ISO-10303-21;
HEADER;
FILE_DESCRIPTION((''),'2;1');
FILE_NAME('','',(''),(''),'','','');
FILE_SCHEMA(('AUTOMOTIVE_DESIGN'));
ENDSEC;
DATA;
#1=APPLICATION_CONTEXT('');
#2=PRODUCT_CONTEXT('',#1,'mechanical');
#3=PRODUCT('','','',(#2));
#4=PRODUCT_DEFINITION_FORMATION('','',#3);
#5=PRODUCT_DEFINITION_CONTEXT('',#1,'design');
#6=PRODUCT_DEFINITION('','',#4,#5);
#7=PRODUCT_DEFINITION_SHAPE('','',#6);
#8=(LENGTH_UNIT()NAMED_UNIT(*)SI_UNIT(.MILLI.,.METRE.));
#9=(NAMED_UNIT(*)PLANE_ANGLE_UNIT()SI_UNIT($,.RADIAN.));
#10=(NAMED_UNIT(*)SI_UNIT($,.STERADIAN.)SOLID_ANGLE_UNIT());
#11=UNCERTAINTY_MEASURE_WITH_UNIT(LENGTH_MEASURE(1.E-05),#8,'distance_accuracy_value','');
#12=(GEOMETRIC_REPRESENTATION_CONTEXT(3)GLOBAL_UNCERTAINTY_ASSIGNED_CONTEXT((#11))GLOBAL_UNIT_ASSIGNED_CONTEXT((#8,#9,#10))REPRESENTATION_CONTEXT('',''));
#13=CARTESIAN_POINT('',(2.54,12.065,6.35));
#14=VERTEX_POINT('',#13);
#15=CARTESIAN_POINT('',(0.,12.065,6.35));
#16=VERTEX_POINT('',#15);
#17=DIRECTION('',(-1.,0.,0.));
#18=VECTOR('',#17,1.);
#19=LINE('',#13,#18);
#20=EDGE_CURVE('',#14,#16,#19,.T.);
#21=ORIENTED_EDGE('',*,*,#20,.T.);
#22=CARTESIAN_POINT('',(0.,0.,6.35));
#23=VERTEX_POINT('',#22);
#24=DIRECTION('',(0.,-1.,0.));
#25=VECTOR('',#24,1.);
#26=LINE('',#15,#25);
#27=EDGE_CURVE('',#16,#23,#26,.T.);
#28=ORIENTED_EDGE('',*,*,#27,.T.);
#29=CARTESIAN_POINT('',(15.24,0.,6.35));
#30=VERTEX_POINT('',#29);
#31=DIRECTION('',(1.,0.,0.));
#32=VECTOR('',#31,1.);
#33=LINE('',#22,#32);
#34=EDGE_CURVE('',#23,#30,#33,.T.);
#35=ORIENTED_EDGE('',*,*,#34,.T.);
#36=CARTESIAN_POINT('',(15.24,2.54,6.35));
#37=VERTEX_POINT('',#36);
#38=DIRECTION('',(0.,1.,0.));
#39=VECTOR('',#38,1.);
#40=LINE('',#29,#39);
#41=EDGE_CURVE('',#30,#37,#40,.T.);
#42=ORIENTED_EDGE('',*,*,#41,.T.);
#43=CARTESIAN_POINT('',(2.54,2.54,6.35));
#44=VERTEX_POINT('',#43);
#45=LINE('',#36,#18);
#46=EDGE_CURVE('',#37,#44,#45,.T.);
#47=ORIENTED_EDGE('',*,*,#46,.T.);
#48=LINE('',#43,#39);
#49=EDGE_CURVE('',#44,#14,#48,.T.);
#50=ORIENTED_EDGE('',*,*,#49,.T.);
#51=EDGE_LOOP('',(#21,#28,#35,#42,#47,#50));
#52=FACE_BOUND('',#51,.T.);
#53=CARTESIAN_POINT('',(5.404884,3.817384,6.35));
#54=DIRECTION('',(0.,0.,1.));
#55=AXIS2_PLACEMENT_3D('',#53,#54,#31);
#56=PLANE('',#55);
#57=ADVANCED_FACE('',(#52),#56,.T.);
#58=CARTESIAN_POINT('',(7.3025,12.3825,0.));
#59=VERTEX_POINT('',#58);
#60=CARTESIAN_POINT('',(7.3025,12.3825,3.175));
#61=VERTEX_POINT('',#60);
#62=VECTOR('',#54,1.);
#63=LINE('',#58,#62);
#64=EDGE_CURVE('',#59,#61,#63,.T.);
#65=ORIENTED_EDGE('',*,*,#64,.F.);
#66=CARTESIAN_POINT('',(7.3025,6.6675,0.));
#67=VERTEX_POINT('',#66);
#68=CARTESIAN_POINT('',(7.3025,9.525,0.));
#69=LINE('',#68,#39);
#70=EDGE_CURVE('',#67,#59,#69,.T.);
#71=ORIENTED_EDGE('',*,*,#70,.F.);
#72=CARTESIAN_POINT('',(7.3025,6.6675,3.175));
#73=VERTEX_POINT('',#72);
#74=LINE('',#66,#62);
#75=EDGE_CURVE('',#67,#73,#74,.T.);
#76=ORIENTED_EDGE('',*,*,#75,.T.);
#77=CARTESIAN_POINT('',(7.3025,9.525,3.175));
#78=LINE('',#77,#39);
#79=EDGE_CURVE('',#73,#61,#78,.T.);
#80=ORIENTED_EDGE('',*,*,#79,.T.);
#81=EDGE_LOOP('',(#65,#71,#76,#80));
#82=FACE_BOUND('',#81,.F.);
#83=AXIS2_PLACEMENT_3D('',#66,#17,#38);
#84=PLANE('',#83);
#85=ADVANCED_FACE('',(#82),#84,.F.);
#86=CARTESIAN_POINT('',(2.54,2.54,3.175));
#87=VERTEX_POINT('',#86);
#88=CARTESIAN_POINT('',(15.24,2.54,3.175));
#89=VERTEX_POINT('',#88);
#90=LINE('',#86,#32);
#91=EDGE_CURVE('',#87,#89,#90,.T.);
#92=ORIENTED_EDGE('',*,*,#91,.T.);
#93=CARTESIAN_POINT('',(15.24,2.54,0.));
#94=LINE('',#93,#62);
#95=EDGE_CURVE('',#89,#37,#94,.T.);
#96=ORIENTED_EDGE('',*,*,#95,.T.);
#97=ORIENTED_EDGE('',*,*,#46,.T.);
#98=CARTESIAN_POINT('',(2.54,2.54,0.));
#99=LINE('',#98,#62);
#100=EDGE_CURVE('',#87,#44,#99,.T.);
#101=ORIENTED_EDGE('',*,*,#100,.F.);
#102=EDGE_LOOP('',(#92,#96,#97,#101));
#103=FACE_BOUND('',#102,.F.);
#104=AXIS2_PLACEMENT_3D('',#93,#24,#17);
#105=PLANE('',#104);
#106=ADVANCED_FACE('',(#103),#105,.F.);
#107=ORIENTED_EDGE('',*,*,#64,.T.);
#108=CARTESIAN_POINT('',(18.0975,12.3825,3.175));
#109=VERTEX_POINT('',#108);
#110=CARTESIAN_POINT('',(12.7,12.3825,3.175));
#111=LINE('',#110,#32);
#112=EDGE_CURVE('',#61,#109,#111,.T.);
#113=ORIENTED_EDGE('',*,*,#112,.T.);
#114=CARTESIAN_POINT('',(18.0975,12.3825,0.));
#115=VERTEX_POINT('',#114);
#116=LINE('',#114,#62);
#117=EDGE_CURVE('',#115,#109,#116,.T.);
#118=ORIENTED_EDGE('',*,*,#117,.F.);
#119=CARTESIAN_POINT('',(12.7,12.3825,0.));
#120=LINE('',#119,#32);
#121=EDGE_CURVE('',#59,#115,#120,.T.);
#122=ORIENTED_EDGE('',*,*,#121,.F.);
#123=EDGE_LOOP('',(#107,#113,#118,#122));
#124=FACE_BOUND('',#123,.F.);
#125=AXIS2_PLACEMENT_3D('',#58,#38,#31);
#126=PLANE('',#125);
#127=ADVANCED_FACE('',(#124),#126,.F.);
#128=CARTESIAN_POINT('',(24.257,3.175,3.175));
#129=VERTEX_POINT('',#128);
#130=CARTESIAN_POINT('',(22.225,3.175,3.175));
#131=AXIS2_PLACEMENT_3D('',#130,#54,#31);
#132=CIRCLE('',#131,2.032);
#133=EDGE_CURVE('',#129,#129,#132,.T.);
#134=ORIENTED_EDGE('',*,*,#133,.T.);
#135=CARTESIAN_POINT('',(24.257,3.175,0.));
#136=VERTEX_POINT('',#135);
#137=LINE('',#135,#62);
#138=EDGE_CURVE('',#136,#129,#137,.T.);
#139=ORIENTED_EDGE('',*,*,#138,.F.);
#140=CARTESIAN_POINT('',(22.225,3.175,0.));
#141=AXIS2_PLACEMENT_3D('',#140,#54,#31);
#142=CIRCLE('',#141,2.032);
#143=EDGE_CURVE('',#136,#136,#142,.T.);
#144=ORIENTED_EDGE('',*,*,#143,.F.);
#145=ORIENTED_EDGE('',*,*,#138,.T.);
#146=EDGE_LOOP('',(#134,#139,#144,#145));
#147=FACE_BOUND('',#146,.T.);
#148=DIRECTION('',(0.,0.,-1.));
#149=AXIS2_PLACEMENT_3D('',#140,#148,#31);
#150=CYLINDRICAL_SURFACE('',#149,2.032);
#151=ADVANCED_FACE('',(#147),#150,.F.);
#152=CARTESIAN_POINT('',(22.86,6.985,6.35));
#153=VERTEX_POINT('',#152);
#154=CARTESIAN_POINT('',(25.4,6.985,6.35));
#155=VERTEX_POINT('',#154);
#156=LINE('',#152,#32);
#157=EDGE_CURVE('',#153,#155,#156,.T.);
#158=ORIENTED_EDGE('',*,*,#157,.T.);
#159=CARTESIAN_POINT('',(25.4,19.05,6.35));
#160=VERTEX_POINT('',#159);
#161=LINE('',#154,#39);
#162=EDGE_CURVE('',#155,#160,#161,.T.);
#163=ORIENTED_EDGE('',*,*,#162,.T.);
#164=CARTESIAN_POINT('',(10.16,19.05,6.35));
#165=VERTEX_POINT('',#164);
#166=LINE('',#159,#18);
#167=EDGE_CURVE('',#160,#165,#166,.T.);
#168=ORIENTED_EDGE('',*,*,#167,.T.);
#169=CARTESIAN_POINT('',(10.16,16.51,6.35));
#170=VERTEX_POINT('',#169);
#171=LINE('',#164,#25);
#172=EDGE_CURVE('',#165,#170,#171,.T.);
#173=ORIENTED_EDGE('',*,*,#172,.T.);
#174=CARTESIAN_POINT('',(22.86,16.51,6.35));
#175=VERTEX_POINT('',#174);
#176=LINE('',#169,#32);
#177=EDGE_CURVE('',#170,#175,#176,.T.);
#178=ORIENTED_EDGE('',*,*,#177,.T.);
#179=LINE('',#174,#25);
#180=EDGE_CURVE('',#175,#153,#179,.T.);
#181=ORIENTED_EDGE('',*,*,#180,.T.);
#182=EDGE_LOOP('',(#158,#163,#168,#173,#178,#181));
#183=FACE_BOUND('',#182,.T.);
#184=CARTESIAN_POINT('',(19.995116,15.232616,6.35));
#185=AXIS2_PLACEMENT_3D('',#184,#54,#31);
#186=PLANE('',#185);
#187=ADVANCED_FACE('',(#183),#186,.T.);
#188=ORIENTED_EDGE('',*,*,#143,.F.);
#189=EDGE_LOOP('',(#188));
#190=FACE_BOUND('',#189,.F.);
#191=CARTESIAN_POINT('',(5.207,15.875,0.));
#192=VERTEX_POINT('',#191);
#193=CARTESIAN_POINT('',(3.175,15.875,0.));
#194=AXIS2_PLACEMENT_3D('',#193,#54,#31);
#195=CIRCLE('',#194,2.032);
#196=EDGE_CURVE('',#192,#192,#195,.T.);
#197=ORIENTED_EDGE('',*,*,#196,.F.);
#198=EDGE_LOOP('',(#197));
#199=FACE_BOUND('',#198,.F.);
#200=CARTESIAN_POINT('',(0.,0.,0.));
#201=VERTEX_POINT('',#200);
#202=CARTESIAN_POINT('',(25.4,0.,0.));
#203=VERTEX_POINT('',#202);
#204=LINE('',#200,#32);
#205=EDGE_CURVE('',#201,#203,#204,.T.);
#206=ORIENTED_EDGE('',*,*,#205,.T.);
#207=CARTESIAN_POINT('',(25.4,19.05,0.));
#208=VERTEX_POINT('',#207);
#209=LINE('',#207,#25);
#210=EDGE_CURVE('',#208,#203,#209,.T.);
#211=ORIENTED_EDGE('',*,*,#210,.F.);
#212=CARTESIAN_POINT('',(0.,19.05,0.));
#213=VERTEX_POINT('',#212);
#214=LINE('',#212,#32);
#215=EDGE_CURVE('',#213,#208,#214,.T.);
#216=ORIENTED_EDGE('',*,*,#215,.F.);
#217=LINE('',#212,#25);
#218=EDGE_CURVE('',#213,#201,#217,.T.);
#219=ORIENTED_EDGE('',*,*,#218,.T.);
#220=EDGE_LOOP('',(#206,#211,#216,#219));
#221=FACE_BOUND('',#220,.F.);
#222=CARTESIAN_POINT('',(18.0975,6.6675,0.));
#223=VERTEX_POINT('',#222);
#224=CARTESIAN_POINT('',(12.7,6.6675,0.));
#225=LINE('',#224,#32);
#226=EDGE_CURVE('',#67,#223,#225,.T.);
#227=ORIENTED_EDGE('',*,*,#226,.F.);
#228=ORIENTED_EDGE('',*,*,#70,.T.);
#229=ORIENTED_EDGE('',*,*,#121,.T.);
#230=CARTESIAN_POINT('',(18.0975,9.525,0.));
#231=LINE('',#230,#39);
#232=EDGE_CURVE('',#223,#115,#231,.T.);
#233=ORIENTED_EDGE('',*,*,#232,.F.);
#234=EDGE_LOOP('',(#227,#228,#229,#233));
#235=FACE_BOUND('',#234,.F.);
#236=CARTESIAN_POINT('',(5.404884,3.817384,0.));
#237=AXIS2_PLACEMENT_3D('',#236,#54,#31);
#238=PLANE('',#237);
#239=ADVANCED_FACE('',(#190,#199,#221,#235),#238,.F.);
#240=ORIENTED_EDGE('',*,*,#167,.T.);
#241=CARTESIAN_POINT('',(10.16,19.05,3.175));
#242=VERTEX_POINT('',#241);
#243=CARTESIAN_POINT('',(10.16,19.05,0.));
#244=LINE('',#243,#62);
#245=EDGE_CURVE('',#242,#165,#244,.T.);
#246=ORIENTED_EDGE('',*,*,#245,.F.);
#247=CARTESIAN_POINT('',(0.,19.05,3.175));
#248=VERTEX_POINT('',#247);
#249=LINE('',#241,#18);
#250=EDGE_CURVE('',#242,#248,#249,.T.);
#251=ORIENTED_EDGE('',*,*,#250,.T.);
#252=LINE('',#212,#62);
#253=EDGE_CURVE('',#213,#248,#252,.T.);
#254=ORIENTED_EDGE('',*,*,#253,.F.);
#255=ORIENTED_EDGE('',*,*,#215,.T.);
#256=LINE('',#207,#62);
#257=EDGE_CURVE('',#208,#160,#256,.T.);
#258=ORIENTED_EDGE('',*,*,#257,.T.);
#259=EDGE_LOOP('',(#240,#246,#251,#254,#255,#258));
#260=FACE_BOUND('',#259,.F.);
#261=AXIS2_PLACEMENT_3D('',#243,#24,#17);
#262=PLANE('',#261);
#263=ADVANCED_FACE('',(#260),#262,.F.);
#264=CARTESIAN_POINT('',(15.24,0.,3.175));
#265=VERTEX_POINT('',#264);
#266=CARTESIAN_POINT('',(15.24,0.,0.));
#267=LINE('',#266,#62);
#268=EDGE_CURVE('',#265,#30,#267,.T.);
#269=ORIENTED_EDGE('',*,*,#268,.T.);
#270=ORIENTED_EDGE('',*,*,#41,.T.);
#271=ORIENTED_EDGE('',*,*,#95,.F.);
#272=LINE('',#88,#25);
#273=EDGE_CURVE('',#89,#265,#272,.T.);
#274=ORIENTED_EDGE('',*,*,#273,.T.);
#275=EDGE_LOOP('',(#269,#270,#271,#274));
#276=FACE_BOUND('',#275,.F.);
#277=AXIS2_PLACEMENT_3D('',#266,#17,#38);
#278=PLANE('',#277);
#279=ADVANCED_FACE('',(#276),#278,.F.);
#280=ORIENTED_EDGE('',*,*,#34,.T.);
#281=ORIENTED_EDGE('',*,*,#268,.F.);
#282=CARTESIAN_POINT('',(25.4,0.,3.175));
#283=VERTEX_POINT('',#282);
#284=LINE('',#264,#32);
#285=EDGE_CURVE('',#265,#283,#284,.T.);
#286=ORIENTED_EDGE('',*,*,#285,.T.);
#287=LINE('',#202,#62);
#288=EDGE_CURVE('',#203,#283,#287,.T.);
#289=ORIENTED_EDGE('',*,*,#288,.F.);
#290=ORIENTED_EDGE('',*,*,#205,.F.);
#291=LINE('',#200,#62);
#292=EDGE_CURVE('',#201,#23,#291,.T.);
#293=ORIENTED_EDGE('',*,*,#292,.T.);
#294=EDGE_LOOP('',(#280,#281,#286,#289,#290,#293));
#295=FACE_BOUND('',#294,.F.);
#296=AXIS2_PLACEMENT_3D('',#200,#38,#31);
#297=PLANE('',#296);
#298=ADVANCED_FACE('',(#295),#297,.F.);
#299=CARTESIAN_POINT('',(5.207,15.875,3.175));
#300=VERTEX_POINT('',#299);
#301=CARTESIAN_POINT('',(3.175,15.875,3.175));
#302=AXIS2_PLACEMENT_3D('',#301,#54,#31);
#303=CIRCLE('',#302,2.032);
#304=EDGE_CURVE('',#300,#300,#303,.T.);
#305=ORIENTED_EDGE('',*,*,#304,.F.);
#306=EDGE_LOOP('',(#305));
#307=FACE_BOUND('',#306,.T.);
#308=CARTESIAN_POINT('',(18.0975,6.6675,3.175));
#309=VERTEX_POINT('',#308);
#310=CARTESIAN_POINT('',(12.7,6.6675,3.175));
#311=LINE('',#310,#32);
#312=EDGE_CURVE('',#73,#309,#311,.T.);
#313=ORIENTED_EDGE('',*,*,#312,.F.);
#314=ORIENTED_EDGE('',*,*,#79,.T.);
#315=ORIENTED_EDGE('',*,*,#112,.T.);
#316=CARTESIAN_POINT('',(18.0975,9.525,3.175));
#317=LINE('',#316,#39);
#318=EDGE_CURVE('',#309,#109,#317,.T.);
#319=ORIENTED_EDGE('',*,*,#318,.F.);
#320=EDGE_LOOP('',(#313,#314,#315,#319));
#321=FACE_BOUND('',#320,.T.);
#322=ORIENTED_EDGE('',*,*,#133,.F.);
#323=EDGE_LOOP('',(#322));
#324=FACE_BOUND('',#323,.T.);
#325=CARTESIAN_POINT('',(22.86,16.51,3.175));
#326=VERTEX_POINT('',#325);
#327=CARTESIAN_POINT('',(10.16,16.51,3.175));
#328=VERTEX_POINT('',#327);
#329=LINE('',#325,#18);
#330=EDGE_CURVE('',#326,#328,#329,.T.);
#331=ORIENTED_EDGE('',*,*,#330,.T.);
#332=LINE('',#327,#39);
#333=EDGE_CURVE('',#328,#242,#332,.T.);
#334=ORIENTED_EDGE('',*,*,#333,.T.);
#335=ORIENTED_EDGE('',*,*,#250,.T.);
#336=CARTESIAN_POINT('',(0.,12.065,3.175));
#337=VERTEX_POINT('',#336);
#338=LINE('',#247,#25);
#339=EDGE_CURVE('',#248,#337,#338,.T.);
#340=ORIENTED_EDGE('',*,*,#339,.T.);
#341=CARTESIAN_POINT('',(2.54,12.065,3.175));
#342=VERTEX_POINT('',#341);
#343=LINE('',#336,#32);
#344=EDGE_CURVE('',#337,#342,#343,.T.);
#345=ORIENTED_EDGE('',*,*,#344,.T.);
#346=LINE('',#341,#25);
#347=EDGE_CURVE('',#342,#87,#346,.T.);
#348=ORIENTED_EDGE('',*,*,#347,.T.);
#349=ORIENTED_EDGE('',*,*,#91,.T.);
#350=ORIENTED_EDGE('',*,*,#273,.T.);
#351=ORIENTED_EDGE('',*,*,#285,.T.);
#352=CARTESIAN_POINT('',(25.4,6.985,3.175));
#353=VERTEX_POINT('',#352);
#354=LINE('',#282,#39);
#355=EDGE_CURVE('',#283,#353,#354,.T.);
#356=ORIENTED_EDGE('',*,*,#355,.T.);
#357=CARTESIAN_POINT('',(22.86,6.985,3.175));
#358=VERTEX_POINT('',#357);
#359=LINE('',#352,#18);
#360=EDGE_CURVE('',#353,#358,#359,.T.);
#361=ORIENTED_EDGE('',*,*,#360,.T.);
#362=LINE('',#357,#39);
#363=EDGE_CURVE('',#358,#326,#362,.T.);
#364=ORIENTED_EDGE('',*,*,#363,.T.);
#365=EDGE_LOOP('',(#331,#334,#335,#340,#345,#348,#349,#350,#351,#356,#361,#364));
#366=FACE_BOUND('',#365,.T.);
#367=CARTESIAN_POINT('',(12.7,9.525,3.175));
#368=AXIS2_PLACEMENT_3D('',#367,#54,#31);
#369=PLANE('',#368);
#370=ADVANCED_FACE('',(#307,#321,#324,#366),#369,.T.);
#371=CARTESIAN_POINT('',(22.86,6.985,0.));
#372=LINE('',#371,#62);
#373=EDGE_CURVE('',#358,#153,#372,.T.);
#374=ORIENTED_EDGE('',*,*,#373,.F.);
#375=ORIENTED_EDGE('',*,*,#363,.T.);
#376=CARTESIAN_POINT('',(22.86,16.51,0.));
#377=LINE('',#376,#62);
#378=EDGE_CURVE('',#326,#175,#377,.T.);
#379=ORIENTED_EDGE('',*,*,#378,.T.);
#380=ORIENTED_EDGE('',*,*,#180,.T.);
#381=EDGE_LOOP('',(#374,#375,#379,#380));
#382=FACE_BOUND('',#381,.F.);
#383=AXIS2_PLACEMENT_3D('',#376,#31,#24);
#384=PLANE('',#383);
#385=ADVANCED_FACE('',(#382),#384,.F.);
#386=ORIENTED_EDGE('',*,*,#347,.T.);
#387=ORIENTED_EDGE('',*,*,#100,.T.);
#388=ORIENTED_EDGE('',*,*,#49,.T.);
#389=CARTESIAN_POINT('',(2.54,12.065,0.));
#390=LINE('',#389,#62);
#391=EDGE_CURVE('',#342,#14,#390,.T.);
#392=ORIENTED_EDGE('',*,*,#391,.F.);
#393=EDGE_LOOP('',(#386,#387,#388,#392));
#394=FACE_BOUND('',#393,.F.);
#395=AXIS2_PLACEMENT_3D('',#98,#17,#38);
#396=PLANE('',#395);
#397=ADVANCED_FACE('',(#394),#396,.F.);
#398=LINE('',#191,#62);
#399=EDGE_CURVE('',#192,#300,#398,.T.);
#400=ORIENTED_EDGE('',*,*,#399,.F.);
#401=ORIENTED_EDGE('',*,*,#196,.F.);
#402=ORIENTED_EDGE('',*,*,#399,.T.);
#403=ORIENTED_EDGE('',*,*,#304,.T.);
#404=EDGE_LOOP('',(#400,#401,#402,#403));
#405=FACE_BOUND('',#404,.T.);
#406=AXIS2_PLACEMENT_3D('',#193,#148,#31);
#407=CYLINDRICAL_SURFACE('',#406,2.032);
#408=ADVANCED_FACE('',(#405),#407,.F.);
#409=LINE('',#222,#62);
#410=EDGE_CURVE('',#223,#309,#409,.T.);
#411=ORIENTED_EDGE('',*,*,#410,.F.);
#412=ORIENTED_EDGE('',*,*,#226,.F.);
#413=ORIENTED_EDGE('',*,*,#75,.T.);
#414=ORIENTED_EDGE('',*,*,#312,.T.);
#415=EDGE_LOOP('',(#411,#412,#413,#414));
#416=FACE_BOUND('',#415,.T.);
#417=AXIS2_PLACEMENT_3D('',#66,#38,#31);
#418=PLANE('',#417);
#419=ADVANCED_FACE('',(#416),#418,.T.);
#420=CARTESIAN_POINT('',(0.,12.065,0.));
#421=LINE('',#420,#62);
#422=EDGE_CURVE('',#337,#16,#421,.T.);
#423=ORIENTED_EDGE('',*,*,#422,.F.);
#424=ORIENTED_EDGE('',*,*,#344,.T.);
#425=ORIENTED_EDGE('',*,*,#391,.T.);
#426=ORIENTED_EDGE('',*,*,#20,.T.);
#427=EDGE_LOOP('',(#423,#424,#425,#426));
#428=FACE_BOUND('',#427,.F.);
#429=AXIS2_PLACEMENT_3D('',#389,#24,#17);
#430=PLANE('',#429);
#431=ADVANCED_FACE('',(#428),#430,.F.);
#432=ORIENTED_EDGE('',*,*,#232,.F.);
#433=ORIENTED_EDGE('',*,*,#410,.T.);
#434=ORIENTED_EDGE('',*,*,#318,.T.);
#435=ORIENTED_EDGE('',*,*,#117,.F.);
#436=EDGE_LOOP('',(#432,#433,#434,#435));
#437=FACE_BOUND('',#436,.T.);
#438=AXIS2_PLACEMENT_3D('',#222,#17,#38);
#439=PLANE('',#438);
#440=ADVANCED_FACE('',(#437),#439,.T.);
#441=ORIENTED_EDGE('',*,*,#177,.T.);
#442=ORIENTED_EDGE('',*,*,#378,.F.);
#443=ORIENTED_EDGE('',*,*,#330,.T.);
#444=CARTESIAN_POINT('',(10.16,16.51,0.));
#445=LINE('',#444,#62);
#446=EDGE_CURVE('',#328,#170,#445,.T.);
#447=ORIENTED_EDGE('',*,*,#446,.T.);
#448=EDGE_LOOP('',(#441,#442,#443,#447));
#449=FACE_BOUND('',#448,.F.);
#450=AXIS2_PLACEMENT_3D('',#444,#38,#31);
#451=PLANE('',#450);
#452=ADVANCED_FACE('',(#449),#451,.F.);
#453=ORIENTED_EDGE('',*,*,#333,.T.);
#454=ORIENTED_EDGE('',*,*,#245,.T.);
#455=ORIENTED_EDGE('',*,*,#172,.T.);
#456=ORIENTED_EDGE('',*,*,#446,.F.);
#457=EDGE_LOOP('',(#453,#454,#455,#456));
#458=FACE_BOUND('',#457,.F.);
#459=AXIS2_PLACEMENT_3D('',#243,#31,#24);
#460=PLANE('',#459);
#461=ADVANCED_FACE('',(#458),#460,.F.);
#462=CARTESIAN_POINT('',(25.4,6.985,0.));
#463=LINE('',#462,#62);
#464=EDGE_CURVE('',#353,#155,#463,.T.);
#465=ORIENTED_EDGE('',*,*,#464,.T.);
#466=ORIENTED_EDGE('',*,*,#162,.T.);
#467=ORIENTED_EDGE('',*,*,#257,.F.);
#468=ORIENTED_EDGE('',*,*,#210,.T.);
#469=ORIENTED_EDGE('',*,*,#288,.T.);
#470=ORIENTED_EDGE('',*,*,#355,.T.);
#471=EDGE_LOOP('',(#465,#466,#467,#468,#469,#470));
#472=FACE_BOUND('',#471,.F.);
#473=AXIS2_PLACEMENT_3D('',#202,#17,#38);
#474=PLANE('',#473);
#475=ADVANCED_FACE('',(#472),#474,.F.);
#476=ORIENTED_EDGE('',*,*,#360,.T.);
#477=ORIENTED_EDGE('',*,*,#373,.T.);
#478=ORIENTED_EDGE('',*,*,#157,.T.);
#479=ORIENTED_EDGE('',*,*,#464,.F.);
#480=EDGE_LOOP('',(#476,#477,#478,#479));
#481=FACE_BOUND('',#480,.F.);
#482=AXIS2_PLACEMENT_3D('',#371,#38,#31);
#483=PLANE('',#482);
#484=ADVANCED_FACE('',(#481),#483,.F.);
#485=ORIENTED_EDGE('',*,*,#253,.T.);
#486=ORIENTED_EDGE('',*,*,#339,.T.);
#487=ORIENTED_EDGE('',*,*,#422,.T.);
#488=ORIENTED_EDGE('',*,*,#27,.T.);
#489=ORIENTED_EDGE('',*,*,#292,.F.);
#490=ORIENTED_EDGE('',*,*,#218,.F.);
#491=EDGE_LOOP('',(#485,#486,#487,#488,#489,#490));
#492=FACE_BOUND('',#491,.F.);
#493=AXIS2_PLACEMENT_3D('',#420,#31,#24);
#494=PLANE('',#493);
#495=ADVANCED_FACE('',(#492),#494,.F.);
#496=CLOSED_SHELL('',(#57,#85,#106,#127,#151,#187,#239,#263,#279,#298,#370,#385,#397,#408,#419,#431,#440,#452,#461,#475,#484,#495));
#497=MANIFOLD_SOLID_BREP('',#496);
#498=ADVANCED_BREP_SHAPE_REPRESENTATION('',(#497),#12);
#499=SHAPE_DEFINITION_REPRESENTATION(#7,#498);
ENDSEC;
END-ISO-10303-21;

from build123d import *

# Parameters (mm, degrees)
F0_R     = 2.032
F0_W     = 10.795
F0_H     = 5.715
F1_DEPTH = 3.175
F2_DEPTH = 6.35


with BuildPart() as f1:
    # F0 (on Top) → F1 (new body)
    with BuildSketch(Plane.XY):
        Polygon((15.24, 2.54), (15.24, 0), (25.4, 0), (25.4, 6.985), (22.86, 6.985), (22.86, 16.51), (10.16, 16.51), (10.16, 19.05), (0, 19.05), (0, 12.065), (2.54, 12.065), (2.54, 2.54), align=None)
        with Locations((22.225, 3.175)):
            Circle(F0_R, mode=Mode.SUBTRACT)
        with Locations((12.7, 9.525)):
            Rectangle(F0_W, F0_H, mode=Mode.SUBTRACT)
        with Locations((3.175, 15.875)):
            Circle(F0_R, mode=Mode.SUBTRACT)
    extrude(amount=F1_DEPTH)

    # F0 (on Top) → F2 (join)
    with BuildSketch(Plane.XY):
        Polygon((0, 12.065), (0, 0), (15.24, 0), (15.24, 2.54), (2.54, 2.54), (2.54, 12.065), align=None)
        Polygon((22.86, 6.985), (25.4, 6.985), (25.4, 19.05), (10.16, 19.05), (10.16, 16.51), (22.86, 16.51), align=None)
    extrude(amount=F2_DEPTH)


solid = f1.part
